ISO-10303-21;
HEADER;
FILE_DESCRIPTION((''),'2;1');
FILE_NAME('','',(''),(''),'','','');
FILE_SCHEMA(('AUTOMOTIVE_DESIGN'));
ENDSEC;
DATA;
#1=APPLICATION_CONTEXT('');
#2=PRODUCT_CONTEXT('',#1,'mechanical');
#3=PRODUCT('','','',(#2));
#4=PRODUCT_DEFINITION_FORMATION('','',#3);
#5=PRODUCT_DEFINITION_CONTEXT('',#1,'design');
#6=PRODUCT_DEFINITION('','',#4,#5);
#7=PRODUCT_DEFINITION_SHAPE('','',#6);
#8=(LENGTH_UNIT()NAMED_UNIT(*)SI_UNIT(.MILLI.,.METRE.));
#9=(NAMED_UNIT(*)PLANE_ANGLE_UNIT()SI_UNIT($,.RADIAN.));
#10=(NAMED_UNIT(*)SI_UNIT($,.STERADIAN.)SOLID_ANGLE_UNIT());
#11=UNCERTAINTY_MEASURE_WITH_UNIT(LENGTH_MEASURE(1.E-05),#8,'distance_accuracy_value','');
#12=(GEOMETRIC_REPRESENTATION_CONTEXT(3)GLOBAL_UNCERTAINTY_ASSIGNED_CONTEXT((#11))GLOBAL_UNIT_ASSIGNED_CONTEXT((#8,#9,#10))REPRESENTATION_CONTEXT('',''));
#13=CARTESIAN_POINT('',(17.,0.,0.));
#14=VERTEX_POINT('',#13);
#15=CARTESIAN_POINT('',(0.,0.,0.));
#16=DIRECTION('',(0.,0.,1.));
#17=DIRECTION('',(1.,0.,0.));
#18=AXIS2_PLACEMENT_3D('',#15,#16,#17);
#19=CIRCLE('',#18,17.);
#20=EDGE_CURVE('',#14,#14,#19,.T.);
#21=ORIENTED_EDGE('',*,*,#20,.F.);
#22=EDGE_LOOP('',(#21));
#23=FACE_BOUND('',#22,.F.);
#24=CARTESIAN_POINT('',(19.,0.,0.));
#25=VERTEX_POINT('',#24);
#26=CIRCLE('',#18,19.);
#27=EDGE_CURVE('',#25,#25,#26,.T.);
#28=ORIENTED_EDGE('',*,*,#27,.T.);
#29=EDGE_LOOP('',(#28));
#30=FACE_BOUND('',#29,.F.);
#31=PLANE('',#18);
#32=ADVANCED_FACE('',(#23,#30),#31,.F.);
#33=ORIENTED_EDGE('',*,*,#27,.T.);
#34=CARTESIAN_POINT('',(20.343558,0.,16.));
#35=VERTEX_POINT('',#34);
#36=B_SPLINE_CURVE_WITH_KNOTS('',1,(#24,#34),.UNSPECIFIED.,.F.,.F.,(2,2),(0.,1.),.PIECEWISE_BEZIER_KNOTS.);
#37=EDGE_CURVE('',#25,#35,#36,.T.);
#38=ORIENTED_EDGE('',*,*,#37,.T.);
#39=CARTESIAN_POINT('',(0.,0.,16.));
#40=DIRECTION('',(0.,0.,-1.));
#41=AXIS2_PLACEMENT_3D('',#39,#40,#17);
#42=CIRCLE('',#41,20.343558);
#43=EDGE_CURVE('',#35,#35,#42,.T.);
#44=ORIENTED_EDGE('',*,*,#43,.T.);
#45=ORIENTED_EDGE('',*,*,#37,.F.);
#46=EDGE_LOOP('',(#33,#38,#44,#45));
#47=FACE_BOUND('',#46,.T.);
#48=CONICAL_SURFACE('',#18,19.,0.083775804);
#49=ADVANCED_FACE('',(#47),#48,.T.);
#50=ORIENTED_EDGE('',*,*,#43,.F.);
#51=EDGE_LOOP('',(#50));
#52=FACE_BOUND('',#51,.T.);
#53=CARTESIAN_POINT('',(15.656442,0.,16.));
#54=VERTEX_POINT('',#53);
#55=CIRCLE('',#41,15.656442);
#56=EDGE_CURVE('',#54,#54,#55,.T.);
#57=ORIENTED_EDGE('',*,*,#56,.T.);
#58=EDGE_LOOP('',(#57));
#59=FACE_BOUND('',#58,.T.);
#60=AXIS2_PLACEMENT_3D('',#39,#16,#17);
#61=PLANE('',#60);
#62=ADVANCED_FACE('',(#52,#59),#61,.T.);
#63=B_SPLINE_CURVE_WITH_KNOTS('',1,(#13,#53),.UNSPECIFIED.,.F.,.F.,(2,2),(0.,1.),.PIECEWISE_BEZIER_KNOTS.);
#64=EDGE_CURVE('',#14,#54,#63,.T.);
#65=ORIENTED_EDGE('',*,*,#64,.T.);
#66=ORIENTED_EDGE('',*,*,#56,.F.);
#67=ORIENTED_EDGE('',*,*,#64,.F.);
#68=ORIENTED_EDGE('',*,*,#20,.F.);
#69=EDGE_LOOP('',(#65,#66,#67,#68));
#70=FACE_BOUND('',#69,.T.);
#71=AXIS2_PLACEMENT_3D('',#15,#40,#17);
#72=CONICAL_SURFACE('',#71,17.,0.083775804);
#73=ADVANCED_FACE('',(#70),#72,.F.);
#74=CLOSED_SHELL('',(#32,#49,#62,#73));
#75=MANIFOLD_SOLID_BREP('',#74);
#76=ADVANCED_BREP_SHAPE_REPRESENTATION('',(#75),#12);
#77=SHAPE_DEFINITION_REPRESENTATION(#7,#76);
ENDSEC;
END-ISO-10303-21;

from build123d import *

# Parameters (mm, degrees)
F0_R     = 19
F0_R_2   = 17
F1_DEPTH = 16
F1_TAPER = -4.8


with BuildPart() as f1:
    # F0 (on Top) → F1 (new body)
    with BuildSketch(Plane.XY):
        Circle(F0_R)
        Circle(F0_R_2, mode=Mode.SUBTRACT)
    extrude(amount=F1_DEPTH, taper=F1_TAPER)


solid = f1.part
